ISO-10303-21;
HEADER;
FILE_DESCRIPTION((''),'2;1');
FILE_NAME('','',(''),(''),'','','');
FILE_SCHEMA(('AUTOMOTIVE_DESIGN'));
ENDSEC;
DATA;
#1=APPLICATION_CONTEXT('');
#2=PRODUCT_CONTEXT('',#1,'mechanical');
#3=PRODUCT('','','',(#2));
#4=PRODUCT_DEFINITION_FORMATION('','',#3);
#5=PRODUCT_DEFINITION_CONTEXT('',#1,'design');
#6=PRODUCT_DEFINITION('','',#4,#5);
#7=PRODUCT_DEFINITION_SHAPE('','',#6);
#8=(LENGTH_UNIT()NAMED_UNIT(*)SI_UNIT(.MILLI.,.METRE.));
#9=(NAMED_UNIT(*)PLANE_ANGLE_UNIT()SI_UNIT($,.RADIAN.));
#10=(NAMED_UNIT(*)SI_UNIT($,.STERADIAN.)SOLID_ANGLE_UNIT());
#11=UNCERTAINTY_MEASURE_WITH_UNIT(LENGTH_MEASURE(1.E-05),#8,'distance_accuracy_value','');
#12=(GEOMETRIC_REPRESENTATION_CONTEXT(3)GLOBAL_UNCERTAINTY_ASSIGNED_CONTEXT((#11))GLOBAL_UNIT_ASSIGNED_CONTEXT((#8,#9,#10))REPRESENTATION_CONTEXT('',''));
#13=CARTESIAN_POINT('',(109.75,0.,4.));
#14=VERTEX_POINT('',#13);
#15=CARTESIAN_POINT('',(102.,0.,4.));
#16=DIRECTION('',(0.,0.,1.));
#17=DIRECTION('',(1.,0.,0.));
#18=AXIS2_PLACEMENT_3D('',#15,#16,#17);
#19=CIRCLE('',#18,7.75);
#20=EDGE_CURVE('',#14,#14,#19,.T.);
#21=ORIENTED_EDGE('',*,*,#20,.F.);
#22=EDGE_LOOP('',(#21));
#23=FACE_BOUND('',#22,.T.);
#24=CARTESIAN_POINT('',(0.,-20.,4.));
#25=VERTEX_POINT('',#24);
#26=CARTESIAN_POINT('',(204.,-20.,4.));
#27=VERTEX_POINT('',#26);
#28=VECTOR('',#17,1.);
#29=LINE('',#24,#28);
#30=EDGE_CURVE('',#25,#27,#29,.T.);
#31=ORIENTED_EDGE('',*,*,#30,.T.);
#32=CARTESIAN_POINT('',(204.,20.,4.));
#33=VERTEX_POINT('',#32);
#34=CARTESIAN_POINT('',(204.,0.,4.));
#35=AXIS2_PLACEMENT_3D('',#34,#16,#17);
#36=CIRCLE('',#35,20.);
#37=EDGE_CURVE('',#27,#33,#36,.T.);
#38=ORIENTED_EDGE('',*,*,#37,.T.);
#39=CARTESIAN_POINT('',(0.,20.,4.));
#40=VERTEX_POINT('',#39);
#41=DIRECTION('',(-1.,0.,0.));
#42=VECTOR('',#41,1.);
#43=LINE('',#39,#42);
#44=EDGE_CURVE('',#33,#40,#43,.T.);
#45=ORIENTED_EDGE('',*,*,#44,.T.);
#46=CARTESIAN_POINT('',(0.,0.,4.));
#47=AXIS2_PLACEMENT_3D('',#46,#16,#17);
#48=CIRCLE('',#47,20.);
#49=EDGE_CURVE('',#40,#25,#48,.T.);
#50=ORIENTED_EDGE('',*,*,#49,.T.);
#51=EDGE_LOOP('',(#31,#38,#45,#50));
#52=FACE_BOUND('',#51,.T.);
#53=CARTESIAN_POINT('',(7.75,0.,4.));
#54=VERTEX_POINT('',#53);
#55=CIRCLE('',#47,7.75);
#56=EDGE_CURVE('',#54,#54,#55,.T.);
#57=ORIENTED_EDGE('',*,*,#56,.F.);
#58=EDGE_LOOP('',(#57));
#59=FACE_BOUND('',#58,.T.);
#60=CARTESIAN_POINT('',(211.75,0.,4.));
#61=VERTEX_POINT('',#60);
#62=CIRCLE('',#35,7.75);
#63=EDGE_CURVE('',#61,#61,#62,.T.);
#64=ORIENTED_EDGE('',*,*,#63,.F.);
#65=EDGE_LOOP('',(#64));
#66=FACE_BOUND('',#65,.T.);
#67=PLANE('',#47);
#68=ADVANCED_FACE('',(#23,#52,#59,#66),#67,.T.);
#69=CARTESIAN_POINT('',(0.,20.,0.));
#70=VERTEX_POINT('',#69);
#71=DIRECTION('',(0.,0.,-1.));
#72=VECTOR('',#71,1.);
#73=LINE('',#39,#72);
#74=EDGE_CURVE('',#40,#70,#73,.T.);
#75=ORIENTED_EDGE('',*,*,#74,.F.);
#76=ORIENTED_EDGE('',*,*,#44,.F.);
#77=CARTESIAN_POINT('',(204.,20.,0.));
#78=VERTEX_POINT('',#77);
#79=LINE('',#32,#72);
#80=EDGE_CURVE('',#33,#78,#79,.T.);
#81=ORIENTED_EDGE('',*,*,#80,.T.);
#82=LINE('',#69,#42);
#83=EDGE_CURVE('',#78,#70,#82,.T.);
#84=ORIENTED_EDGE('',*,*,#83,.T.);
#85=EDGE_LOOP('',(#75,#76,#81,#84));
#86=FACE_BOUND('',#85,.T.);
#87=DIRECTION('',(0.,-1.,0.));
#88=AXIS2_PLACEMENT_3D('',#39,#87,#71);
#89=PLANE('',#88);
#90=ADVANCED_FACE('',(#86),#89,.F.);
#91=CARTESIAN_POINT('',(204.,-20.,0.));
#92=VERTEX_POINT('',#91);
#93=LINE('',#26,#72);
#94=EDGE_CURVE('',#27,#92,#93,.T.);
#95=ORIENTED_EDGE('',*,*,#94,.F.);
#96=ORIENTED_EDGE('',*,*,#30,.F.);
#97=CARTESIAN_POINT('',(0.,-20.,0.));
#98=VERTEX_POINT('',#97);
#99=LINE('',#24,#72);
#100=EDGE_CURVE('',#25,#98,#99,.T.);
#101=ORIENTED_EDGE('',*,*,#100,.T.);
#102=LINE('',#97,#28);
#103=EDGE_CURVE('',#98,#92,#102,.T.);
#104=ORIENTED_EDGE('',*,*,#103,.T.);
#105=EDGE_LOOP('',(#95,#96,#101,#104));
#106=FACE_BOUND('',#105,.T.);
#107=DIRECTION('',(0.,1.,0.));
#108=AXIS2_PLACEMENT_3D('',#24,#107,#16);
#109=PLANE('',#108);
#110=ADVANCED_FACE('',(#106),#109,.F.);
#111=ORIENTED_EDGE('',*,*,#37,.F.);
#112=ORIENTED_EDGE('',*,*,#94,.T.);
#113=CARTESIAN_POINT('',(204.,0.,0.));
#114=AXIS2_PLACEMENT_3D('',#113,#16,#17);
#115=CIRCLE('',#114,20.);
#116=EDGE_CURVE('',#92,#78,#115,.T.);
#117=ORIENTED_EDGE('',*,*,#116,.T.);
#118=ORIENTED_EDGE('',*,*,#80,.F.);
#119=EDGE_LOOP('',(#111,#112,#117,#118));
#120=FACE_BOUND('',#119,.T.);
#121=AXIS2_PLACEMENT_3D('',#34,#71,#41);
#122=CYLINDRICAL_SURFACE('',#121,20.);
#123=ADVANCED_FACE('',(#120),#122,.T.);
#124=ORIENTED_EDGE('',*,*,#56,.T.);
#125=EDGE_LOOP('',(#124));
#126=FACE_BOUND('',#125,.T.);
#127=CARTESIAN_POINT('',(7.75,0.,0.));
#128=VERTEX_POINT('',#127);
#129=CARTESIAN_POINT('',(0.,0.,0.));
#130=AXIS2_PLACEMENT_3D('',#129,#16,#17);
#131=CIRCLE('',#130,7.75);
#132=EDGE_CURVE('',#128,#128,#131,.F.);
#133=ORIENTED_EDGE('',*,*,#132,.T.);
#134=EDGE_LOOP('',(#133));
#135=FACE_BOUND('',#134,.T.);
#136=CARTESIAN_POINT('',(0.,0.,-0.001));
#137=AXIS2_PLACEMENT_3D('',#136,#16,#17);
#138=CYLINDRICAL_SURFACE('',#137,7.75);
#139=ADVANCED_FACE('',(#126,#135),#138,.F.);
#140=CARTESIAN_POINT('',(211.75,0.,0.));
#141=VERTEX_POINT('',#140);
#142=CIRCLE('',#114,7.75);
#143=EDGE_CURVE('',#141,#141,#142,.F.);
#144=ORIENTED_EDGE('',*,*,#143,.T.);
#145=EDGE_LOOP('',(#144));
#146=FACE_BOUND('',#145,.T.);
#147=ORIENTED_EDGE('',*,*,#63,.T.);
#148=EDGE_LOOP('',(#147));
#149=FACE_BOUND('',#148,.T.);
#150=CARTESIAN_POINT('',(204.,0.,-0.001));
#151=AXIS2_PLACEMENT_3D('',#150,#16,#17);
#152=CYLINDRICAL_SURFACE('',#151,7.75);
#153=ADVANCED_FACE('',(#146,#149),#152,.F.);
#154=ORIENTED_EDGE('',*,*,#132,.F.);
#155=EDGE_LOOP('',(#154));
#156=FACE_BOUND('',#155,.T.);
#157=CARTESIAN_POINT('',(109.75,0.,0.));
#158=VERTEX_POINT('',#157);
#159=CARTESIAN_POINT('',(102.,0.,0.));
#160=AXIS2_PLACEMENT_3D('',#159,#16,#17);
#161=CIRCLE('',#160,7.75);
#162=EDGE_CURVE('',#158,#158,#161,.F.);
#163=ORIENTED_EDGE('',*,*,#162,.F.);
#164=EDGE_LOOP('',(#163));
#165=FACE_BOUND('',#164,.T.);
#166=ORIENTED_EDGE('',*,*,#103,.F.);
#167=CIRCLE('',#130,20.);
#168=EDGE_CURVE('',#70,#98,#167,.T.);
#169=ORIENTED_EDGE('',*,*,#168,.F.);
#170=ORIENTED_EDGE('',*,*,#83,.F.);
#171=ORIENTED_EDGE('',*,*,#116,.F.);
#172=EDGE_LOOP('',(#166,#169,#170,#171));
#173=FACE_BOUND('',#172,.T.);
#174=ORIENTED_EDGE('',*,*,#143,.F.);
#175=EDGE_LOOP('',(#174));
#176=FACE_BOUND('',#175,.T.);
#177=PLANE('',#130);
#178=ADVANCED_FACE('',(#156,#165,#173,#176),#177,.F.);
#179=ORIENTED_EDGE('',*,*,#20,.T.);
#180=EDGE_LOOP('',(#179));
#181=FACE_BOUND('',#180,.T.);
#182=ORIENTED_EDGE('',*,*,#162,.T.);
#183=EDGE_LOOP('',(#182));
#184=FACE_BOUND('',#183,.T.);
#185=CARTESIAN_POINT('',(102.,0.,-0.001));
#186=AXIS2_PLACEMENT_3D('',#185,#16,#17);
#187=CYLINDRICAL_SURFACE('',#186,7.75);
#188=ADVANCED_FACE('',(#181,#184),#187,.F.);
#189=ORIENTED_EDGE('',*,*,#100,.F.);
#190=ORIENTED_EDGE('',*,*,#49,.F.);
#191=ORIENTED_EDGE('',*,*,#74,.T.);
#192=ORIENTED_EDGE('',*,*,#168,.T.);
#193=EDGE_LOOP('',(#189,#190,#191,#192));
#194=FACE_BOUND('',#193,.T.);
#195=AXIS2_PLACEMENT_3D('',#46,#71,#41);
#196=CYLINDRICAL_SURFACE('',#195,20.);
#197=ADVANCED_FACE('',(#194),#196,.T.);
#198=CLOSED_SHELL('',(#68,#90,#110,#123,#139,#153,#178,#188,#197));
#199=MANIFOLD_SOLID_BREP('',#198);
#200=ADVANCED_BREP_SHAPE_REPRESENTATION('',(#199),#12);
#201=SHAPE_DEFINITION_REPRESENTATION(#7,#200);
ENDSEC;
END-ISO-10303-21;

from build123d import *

# Parameters (mm, degrees)
BOSS_EXTRUDE1_DEPTH = 4
CUT_EXTRUDE1_REACH  = 6
SKETCH2_R           = 7.75
CUT_EXTRUDE2_REACH  = 6
SKETCH3_R           = 7.75


with BuildPart() as part:
    # Sketch1 → Boss-Extrude1 (new body)
    with BuildSketch(Plane.XY):
        with BuildLine():
            Line((0, 20), (204, 20))
            ThreePointArc((204, 20), (224, 0), (204, -20))
            Line((204, -20), (0, -20))
            ThreePointArc((0, -20), (-20, 0), (0, 20))
        make_face()
    extrude(amount=BOSS_EXTRUDE1_DEPTH)

    # Sketch2 → Cut-Extrude1 (cut, up to next)
    with BuildSketch(Plane.XY.offset(4), mode=Mode.PRIVATE) as cut_extrude1_sk1:
        Circle(SKETCH2_R)
    cut_extrude1_tool1 = extrude(cut_extrude1_sk1.sketch, amount=-CUT_EXTRUDE1_REACH, mode=Mode.PRIVATE) & part.part
    add(cut_extrude1_tool1.solids().sort_by_distance((0, 0, 4))[0], mode=Mode.SUBTRACT)
    # Sketch2 → Cut-Extrude1 (cut, up to next)
    with BuildSketch(Plane.XY.offset(4), mode=Mode.PRIVATE) as cut_extrude1_sk2:
        with Locations((204, 0)):
            Circle(SKETCH2_R)
    cut_extrude1_tool2 = extrude(cut_extrude1_sk2.sketch, amount=-CUT_EXTRUDE1_REACH, mode=Mode.PRIVATE) & part.part
    add(cut_extrude1_tool2.solids().sort_by_distance((204, 0, 4))[0], mode=Mode.SUBTRACT)

    # Sketch3 → Cut-Extrude2 (cut, up to next)
    with BuildSketch(Plane.XY.offset(4), mode=Mode.PRIVATE) as cut_extrude2_sk1:
        with Locations((102, 0)):
            Circle(SKETCH3_R)
    cut_extrude2_tool1 = extrude(cut_extrude2_sk1.sketch, amount=-CUT_EXTRUDE2_REACH, mode=Mode.PRIVATE) & part.part
    add(cut_extrude2_tool1.solids().sort_by_distance((102, 0, 4))[0], mode=Mode.SUBTRACT)


solid = part.part
